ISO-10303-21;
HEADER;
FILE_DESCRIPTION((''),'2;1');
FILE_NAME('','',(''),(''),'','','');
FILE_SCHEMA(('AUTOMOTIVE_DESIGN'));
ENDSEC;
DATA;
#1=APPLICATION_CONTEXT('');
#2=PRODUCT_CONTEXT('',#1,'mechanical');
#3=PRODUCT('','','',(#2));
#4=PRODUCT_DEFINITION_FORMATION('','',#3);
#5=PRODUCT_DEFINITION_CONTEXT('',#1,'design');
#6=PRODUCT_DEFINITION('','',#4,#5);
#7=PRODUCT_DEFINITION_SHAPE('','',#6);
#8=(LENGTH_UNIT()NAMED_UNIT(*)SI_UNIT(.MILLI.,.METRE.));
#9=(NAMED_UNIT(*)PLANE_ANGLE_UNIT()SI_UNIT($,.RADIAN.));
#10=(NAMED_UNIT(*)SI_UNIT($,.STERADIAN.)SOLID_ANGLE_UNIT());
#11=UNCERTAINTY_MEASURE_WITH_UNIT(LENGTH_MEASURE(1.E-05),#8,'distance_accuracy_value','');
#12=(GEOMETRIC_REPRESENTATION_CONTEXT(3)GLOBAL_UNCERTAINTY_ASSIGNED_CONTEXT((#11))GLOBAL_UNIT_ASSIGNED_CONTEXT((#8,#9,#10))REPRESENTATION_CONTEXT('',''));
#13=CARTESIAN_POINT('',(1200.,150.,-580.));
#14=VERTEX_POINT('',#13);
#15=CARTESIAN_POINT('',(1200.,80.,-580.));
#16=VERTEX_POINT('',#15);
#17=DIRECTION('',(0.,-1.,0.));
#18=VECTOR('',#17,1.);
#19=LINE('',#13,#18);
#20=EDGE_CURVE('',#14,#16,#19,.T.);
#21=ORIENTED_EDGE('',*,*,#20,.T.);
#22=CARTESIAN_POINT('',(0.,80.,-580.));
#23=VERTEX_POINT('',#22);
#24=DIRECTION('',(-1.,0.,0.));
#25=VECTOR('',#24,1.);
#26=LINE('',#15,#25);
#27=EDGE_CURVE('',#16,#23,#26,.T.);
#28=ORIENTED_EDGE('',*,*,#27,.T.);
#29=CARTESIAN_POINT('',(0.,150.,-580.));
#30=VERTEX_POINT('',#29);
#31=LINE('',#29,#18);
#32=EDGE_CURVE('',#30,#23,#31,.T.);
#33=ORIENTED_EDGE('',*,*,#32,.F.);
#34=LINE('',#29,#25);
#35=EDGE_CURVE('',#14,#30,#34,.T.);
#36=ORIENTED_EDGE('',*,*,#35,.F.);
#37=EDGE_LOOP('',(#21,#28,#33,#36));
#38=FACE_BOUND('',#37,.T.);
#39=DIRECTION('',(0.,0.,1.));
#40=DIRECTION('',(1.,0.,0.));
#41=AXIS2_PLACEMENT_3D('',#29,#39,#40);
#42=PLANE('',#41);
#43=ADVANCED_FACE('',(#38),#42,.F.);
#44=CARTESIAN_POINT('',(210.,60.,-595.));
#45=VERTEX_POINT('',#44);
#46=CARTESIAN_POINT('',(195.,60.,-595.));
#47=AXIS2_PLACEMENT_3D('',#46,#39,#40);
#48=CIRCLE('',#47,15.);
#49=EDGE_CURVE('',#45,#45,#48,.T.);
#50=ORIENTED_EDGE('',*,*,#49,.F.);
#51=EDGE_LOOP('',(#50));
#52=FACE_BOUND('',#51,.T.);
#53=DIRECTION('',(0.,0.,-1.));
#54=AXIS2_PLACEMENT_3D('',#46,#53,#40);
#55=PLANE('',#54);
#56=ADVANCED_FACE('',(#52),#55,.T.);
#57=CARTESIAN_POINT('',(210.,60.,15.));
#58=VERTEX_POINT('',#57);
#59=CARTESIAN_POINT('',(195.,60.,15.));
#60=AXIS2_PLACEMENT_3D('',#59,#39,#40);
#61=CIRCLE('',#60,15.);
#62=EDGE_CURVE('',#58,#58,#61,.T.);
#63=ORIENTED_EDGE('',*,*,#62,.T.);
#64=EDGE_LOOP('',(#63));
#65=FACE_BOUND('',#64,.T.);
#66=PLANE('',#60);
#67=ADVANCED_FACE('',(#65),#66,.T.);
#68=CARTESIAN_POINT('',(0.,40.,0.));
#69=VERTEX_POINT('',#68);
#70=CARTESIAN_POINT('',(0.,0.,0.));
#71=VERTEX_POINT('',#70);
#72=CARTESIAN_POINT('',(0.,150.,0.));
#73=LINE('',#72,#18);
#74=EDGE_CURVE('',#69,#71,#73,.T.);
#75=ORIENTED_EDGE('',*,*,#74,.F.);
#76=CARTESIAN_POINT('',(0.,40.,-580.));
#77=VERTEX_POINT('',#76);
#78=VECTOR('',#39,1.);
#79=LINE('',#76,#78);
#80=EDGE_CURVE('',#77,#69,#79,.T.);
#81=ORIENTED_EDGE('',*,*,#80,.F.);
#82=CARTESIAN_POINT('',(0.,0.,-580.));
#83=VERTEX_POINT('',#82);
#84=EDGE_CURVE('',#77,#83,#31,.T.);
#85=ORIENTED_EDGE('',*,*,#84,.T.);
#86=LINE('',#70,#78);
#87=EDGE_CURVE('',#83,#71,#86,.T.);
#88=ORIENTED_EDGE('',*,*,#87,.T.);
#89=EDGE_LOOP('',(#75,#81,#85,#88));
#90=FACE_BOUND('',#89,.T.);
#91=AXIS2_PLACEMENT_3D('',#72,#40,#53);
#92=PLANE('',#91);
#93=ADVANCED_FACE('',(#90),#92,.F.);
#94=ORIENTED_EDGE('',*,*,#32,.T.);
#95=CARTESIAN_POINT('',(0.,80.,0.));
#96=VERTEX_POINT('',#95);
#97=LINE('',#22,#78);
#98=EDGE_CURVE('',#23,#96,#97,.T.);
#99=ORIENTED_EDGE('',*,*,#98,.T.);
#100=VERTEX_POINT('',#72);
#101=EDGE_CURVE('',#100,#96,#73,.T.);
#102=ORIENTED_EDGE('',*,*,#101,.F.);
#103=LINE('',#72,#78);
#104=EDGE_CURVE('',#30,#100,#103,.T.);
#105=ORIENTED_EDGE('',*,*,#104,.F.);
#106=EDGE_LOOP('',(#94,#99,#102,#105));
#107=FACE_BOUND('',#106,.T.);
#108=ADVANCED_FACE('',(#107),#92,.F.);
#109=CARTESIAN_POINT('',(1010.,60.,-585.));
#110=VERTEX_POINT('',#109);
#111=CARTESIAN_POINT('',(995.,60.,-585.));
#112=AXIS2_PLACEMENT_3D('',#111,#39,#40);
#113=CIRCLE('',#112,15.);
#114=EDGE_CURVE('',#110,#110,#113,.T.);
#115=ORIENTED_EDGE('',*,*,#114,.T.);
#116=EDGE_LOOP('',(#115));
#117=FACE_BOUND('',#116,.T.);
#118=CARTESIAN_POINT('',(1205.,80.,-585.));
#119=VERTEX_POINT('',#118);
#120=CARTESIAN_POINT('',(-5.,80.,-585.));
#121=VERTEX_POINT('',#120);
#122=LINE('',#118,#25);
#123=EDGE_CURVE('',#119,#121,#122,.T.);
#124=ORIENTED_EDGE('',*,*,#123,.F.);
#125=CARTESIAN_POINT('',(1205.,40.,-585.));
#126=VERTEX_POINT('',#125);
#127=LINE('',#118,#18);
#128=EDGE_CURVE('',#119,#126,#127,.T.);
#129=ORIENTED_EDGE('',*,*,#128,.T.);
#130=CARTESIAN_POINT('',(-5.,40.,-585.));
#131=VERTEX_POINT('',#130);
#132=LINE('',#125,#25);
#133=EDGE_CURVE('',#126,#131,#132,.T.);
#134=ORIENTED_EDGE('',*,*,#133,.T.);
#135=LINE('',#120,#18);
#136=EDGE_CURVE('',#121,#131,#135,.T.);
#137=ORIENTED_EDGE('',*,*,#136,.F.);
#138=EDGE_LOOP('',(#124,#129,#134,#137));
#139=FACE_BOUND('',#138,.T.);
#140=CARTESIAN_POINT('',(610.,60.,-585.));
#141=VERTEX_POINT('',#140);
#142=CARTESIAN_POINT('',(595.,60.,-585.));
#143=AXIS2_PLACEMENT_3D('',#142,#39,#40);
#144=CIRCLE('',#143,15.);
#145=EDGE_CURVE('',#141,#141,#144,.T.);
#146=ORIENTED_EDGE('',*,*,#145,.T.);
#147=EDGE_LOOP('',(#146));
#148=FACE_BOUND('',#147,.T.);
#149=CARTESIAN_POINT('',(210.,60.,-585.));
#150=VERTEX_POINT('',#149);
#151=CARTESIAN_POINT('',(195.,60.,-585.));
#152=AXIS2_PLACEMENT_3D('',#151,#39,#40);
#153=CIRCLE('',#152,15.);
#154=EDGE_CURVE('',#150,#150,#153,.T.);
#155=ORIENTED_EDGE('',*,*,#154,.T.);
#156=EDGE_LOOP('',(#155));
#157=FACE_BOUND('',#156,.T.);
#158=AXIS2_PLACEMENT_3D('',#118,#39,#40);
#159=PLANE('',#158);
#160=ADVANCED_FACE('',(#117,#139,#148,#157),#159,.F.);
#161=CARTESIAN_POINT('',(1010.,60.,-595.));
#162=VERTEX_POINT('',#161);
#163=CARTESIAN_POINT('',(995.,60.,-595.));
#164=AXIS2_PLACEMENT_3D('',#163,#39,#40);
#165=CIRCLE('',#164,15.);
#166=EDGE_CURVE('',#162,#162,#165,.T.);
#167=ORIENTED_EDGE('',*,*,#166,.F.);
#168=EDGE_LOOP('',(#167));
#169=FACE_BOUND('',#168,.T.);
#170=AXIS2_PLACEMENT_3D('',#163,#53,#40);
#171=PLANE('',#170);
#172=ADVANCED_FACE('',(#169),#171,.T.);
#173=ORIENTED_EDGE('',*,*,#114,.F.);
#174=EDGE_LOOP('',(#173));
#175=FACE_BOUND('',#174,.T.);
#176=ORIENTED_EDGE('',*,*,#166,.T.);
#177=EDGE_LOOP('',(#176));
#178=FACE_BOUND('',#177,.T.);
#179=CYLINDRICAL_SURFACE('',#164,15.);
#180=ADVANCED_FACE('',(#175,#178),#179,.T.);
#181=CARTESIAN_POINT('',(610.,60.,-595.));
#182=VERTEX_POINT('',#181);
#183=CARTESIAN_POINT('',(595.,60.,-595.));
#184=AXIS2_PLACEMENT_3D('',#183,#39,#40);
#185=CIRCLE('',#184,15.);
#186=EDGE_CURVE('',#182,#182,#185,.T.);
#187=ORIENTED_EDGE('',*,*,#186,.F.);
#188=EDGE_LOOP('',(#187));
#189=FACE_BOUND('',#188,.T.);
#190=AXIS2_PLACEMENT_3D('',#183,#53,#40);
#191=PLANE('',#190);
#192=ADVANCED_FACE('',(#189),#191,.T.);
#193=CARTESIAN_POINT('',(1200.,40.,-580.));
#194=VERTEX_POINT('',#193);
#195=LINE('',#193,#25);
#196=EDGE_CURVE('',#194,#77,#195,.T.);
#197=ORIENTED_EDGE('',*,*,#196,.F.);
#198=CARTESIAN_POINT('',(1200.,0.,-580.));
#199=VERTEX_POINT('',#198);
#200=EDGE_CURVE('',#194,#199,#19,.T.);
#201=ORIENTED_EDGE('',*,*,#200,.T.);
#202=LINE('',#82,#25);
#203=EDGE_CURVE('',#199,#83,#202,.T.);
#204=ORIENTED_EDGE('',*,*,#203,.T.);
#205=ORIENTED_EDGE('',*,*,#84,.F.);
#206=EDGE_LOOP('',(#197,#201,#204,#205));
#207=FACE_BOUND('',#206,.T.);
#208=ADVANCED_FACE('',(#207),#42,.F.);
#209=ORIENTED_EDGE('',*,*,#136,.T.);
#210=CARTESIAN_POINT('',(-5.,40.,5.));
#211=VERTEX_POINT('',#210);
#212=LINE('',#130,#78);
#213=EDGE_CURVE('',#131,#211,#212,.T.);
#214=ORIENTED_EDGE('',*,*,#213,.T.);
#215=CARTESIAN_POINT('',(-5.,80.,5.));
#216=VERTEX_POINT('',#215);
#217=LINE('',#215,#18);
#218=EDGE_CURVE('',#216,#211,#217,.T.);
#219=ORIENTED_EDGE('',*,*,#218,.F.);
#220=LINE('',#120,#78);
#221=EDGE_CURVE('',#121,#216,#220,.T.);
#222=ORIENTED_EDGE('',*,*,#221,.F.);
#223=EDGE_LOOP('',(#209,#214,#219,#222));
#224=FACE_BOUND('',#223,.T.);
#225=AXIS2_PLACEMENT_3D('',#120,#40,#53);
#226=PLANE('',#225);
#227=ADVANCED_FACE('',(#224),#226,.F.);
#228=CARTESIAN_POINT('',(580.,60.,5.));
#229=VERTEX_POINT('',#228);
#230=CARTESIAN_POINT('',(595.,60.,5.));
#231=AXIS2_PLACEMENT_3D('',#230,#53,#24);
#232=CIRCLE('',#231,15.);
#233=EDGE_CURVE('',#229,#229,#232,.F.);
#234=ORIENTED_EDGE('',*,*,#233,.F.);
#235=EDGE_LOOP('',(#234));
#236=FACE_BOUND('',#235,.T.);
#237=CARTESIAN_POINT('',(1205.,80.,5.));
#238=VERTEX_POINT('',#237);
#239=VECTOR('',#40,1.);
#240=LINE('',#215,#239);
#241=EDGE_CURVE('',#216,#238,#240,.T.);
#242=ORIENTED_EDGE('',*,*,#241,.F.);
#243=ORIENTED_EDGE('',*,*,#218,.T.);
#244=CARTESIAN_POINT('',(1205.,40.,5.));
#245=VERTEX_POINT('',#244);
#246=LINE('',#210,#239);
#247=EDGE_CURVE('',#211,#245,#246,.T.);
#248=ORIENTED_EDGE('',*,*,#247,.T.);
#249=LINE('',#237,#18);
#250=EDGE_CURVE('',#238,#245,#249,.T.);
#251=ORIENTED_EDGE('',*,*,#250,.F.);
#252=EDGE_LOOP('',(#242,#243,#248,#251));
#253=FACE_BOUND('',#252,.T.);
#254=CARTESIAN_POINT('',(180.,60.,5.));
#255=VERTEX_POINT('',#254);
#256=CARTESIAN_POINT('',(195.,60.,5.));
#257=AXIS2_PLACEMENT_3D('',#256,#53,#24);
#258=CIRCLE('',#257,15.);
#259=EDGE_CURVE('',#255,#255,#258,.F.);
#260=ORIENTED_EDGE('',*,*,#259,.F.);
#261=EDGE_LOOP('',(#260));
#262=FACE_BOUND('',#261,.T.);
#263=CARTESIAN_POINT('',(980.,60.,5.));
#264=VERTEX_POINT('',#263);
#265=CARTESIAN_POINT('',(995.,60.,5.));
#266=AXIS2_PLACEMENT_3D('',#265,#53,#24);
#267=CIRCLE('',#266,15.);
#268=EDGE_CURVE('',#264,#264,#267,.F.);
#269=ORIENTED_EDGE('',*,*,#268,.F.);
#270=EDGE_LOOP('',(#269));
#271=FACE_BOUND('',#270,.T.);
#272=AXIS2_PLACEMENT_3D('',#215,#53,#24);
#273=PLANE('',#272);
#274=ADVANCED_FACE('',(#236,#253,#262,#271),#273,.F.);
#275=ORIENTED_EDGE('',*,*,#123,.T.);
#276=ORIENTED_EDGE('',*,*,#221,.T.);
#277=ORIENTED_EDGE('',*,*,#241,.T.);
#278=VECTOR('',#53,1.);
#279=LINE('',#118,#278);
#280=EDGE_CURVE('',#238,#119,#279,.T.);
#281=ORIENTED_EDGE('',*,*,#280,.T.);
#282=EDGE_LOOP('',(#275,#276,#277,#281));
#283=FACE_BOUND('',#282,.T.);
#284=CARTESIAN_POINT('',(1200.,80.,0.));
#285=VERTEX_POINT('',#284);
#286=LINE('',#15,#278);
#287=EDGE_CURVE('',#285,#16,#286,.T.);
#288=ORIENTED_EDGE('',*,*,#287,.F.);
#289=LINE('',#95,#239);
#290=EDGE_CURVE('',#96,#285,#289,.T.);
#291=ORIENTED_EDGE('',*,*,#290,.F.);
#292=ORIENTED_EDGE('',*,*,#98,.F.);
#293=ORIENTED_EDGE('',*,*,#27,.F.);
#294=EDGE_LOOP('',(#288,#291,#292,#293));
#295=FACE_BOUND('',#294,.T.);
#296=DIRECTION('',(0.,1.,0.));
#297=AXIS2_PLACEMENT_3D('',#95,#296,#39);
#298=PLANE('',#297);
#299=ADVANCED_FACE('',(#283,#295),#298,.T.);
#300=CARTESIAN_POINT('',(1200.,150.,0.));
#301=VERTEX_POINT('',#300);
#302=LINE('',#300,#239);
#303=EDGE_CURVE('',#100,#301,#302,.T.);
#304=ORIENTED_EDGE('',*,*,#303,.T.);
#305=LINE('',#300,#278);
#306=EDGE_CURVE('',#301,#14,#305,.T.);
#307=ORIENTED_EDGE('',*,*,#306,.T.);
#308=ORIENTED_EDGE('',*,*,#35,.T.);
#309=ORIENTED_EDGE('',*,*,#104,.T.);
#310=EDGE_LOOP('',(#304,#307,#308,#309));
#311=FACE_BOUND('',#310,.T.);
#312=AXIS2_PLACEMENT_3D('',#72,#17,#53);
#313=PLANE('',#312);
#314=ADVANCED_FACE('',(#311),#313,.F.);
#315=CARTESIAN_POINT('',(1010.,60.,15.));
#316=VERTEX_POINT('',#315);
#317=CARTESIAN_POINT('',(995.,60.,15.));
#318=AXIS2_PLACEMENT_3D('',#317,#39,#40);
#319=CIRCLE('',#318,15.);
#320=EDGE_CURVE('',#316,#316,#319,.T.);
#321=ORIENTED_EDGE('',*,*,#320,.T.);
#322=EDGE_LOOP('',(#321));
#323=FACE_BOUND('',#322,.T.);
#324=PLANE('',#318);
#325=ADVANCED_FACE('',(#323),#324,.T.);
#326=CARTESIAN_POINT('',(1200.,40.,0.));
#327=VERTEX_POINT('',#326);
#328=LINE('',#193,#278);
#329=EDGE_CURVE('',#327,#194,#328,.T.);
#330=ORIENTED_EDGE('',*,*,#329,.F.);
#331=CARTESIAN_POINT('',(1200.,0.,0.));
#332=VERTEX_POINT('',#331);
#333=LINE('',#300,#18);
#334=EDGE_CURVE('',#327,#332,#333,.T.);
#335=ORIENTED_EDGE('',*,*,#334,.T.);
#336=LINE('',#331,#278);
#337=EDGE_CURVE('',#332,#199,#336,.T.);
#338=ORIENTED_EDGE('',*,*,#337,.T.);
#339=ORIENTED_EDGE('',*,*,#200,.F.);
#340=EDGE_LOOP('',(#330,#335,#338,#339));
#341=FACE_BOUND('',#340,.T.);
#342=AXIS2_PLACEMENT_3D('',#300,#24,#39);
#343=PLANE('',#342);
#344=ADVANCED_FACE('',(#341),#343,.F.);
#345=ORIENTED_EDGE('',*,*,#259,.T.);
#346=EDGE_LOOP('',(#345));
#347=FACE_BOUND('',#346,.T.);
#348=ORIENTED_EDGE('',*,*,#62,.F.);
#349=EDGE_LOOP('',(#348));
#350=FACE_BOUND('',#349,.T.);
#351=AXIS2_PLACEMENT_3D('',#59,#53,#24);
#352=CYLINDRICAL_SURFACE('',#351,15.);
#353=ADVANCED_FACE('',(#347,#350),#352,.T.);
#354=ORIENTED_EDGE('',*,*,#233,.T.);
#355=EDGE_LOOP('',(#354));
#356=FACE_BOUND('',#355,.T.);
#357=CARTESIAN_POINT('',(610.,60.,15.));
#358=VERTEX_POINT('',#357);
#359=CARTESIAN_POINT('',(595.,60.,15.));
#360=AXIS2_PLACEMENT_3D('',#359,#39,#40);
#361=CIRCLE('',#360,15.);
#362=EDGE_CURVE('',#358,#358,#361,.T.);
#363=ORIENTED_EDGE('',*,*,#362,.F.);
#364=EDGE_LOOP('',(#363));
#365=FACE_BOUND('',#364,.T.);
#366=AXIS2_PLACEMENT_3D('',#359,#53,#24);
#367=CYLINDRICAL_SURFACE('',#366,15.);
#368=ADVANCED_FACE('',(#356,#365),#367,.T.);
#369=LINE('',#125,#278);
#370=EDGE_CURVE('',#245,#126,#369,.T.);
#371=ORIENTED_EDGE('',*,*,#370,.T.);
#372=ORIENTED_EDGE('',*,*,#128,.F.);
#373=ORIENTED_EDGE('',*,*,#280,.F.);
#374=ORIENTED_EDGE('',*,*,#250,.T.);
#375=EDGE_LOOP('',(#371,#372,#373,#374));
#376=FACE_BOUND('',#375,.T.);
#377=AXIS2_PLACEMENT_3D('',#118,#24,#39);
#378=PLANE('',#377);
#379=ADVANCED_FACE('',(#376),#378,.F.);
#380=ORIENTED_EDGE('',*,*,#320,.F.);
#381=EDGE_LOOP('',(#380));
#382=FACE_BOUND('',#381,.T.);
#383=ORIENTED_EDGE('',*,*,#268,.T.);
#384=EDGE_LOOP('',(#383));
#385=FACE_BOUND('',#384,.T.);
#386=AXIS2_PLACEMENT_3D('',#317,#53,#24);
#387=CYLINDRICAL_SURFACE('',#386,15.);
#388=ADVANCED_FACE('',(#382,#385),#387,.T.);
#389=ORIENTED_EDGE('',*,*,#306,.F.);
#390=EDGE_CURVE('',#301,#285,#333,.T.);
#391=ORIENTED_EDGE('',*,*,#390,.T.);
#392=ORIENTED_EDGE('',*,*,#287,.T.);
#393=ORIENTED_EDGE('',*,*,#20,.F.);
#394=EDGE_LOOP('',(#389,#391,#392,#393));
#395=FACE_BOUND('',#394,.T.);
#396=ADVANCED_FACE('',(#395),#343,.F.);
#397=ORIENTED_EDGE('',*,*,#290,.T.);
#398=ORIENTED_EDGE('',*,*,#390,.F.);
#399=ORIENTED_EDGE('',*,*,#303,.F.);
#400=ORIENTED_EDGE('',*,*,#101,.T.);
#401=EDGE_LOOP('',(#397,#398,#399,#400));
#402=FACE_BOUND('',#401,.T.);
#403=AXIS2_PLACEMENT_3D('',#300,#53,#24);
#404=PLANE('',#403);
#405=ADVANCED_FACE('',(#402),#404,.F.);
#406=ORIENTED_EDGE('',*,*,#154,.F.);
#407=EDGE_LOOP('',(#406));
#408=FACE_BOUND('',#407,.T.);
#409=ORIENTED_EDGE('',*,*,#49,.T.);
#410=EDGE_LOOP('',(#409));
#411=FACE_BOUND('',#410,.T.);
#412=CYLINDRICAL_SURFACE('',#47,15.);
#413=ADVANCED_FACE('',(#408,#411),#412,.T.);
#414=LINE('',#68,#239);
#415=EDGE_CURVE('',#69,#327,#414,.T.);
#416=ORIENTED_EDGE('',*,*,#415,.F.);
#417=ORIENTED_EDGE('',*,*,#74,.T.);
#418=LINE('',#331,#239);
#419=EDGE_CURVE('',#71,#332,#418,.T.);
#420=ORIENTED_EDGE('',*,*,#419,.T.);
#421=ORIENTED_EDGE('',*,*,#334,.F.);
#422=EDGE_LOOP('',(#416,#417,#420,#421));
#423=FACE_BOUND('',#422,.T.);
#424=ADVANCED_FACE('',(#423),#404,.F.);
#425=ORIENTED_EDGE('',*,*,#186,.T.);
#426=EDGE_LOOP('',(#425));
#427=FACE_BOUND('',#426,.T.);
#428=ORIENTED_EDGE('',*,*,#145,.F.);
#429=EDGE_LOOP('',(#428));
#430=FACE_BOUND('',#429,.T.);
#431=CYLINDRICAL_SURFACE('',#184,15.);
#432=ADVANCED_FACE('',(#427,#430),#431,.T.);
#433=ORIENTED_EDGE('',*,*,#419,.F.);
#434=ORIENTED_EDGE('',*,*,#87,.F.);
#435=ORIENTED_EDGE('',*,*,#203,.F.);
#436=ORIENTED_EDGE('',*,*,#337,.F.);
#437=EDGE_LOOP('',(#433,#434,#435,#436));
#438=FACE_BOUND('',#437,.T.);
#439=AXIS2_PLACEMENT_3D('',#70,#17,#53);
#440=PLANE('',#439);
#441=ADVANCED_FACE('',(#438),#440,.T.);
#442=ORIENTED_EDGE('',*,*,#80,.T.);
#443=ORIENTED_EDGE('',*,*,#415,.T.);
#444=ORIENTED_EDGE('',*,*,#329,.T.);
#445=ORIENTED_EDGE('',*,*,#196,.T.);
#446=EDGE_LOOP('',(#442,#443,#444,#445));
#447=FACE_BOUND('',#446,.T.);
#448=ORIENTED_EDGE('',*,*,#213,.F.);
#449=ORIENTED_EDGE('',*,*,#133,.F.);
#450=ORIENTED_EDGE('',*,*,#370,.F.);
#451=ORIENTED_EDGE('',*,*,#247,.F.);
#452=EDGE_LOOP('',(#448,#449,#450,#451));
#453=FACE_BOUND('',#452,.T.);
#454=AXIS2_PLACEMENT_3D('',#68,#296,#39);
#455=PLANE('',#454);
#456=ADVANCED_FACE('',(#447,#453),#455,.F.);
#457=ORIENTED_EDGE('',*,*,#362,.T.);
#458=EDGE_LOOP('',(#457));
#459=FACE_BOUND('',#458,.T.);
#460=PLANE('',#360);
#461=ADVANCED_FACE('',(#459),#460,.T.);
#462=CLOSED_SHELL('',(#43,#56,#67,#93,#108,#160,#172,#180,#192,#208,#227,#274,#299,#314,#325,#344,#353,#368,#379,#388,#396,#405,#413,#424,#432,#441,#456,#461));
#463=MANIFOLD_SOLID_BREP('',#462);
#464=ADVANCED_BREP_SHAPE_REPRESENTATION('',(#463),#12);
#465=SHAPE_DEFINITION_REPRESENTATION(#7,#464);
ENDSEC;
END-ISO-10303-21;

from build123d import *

# Parameters (mm, degrees)
SZKIC1_W                    = 1200
SZKIC1_H                    = 580
DODANIE_WYCI_GNI_CIE1_DEPTH = 150
SZKIC2_W                    = 1210
SZKIC2_H                    = 590
SZKIC2_W_2                  = 1200
SZKIC2_H_2                  = 580
DODANIE_WYCI_GNI_CIE2_DEPTH = 20
SZKIC3_R                    = 15
DODANIE_WYCI_GNI_CIE3_DEPTH = 10
SZYK_LINIOWY1_COUNT         = 3
SZYK_LINIOWY1_PITCH         = 400
LUSTRO1_COPY_1_SKETCH_R     = 15
LUSTRO1_COPY_1_DEPTH        = 10
LUSTRO1_COPY_2_SKETCH_R     = 15
LUSTRO1_COPY_2_DEPTH        = 10


with BuildPart() as part:
    # Szkic1 → Dodanie-wyciągnięcie1 (new body)
    with BuildSketch(Plane(origin=(0, 0, 0), x_dir=(1, 0, 0), z_dir=(0, 1, 0))):
        with Locations((600, 290)):
            Rectangle(SZKIC1_W, SZKIC1_H)
    extrude(amount=DODANIE_WYCI_GNI_CIE1_DEPTH)

    # Szkic2 → Dodanie-wyciągnięcie2 (add, symmetric)
    with BuildSketch(Plane(origin=(0, 60, 0), x_dir=(1, 0, 0), z_dir=(0, 1, 0))):
        with Locations((600, 290)):
            Rectangle(SZKIC2_W, SZKIC2_H)
        with Locations((600, 290)):
            Rectangle(SZKIC2_W_2, SZKIC2_H_2, mode=Mode.SUBTRACT)
    extrude(amount=DODANIE_WYCI_GNI_CIE2_DEPTH, both=True)

    # Szkic3 → Dodanie-wyciągnięcie3 (add)
    with BuildSketch(Plane.XY.offset(5)):
        with Locations(Location((195, 60, 0), (0, 0, 180))):
            Circle(SZKIC3_R)
    dodanie_wyci_gni_cie3 = extrude(amount=DODANIE_WYCI_GNI_CIE3_DEPTH)

    # Szyk liniowy1: Dodanie-wyciągnięcie3 ×3
    with Locations(*[(i * SZYK_LINIOWY1_PITCH, 0, 0) for i in range(1, SZYK_LINIOWY1_COUNT)]):
        add(dodanie_wyci_gni_cie3)

    # Lustro1: Dodanie-wyciągnięcie3 across plane
    add(dodanie_wyci_gni_cie3.mirror(Plane.XY.offset(-290)))

    # Lustro1 copy 1 sketch → Lustro1 copy 1 (add)
    with BuildSketch(Plane(origin=(400, 0, -585), x_dir=(1, 0, 0), z_dir=(0, 0, -1))):
        with Locations((195, -60)):
            Circle(LUSTRO1_COPY_1_SKETCH_R)
    extrude(amount=LUSTRO1_COPY_1_DEPTH)

    # Lustro1 copy 2 sketch → Lustro1 copy 2 (add)
    with BuildSketch(Plane(origin=(800, 0, -585), x_dir=(1, 0, 0), z_dir=(0, 0, -1))):
        with Locations((195, -60)):
            Circle(LUSTRO1_COPY_2_SKETCH_R)
    extrude(amount=LUSTRO1_COPY_2_DEPTH)


solid = part.part
